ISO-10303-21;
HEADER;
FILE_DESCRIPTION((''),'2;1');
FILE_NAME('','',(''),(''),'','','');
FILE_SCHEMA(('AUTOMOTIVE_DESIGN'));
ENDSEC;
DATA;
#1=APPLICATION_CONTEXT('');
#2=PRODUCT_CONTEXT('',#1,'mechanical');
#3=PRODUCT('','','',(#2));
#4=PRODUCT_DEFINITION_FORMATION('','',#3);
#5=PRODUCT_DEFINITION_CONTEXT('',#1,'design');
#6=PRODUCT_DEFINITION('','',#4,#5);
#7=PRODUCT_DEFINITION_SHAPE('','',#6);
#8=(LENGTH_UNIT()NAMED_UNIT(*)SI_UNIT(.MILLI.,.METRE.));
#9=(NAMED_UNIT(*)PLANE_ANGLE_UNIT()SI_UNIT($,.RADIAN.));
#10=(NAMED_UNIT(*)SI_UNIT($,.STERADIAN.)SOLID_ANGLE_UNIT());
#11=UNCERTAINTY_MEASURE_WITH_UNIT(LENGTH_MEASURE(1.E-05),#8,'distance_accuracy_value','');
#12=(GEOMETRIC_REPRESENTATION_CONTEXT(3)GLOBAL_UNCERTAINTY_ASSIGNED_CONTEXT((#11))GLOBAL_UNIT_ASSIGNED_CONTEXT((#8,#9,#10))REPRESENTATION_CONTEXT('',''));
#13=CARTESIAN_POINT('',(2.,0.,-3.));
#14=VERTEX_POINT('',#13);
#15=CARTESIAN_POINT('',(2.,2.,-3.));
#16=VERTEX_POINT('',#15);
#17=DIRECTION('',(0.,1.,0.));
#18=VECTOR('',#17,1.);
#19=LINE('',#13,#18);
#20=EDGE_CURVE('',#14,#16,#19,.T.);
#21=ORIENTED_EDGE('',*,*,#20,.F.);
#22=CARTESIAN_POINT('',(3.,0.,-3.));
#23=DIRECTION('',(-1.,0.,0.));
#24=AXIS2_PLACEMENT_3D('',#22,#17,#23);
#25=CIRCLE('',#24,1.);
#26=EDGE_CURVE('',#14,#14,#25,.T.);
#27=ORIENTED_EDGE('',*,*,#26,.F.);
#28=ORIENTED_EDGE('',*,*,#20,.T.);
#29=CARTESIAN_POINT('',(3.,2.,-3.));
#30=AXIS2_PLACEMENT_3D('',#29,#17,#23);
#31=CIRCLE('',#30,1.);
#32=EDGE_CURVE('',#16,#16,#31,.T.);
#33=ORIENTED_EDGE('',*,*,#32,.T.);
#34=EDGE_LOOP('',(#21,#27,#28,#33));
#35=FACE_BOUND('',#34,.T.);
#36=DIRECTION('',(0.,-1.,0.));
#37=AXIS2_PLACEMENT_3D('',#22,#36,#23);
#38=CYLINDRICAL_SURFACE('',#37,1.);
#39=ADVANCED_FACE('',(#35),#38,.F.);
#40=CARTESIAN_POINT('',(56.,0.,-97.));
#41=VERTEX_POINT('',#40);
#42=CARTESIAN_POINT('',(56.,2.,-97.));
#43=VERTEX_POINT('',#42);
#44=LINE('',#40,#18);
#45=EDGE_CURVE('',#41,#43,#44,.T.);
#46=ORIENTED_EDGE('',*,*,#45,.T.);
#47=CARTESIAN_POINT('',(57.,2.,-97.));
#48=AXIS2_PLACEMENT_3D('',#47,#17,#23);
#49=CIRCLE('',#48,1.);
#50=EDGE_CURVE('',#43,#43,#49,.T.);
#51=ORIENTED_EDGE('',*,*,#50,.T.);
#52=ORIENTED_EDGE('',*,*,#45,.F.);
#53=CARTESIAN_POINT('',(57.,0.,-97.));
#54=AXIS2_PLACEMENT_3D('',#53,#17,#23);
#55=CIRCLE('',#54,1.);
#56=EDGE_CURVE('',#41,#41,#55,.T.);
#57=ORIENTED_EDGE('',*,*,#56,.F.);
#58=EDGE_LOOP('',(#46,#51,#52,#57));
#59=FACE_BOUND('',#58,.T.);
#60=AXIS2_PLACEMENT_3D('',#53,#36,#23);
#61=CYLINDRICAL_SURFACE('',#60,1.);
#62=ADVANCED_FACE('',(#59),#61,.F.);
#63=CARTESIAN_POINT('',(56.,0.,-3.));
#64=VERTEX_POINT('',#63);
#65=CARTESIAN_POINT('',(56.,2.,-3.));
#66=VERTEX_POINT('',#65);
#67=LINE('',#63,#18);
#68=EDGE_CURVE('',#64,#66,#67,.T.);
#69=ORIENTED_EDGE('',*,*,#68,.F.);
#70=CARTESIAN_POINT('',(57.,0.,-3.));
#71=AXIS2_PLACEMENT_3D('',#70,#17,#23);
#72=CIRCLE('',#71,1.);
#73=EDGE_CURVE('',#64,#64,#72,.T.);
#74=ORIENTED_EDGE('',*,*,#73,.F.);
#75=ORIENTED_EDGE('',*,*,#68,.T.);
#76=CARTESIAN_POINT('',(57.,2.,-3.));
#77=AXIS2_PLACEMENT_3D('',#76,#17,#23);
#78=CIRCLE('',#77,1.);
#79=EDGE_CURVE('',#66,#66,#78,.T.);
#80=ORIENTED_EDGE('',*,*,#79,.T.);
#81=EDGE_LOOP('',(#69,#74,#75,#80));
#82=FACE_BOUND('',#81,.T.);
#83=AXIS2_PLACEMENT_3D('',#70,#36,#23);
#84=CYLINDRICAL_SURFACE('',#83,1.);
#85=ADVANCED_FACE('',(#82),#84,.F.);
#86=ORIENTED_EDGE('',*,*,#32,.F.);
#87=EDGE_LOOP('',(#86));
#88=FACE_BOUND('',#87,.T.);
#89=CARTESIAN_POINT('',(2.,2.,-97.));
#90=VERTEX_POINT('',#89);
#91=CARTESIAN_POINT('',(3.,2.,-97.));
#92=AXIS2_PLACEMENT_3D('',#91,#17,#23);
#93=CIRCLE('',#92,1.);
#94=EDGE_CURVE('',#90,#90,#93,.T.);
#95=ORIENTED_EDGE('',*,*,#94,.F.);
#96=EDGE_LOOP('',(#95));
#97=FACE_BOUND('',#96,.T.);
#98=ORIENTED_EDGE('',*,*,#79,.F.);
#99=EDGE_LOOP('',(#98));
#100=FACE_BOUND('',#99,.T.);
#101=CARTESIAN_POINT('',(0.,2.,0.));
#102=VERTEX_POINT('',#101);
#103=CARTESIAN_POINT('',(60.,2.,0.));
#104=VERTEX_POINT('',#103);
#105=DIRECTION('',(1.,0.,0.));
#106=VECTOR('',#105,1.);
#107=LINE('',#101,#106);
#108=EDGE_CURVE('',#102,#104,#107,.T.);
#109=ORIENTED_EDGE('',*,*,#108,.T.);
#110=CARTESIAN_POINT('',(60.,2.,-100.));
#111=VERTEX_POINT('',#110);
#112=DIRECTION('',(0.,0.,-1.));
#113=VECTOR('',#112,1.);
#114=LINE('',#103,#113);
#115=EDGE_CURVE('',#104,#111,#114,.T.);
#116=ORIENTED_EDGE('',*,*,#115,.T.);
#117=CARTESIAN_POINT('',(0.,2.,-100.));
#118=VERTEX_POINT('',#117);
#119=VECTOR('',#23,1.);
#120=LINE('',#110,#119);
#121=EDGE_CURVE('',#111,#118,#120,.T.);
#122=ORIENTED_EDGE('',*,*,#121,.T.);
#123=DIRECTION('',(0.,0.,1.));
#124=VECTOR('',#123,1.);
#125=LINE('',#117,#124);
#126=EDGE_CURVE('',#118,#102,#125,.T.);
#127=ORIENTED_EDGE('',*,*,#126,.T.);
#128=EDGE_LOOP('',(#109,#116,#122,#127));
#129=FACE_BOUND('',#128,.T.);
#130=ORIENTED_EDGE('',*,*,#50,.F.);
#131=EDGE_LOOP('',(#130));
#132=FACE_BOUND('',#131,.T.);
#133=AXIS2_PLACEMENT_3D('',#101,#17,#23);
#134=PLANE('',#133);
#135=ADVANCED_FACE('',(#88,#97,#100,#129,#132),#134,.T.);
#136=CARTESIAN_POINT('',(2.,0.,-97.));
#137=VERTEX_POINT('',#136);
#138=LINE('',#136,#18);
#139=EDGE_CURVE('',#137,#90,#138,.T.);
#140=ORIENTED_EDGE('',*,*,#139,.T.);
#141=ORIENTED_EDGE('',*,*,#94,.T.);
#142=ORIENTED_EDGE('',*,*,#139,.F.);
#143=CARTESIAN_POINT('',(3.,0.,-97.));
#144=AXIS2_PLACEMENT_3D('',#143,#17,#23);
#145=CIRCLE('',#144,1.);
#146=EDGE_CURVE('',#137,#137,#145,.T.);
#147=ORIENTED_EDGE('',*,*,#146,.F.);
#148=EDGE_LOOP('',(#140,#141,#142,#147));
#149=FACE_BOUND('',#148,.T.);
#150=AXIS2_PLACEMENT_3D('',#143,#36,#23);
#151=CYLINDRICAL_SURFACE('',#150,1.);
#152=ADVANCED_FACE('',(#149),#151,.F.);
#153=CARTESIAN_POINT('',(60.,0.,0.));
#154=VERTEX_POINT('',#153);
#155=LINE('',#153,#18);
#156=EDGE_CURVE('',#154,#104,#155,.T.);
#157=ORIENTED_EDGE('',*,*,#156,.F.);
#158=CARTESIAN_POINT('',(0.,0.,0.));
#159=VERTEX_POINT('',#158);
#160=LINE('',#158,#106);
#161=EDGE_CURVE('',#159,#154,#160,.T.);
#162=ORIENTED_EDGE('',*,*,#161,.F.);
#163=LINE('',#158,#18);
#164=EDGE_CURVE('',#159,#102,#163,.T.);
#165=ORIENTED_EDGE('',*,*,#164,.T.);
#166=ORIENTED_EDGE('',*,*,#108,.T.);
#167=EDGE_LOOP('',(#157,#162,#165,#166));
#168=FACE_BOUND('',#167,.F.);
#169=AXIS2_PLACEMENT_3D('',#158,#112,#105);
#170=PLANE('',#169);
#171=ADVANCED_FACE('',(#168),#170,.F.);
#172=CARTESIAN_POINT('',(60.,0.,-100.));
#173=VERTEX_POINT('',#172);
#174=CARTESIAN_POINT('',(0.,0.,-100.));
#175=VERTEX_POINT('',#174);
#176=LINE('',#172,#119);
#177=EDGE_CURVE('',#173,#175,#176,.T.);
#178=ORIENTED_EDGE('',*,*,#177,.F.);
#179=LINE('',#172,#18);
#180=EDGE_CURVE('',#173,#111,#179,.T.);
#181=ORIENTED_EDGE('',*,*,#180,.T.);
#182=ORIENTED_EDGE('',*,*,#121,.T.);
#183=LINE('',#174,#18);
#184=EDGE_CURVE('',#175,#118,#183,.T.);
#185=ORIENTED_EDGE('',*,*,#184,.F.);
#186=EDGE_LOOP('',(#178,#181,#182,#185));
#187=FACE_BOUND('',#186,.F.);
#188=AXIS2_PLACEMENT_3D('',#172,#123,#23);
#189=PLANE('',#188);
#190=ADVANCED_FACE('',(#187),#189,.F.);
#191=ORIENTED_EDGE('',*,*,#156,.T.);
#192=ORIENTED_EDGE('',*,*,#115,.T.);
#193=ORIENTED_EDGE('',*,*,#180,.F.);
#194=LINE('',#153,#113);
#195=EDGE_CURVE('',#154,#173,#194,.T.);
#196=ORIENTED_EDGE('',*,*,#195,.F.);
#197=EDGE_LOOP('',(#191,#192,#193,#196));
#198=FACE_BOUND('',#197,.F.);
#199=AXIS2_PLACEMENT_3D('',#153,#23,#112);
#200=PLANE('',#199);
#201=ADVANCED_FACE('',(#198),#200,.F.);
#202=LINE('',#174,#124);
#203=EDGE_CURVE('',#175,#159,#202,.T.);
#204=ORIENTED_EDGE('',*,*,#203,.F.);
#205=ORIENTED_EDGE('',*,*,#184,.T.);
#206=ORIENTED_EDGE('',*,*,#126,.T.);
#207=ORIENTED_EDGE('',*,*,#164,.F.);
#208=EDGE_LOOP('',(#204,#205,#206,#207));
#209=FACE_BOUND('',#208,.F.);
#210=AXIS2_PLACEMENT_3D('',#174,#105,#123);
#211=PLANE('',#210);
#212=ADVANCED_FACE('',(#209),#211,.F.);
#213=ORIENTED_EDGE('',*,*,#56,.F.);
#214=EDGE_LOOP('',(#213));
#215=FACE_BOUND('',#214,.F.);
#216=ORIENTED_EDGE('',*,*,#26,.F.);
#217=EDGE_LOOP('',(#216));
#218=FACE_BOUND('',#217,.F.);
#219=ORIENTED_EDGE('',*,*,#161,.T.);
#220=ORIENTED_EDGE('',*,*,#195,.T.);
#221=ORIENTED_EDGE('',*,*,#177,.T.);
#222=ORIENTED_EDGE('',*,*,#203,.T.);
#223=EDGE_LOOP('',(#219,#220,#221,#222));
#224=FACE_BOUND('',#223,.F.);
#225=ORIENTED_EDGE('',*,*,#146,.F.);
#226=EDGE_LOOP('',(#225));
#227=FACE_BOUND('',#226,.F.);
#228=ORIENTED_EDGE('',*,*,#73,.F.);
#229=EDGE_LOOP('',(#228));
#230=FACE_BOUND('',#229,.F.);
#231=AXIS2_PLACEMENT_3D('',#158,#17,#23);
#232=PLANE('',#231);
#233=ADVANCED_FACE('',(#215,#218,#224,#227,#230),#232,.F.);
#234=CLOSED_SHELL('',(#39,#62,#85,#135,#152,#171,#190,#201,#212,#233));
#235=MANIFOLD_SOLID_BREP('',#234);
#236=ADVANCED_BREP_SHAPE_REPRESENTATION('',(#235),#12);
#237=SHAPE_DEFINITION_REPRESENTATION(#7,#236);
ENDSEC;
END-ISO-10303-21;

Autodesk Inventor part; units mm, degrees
ref_plane "YZ Plane" through (0, 0, 0) normal (1, 0, 0) x (0, 1, 0)
ref_plane "XZ Plane" through (0, 0, 0) normal (0, 1, 0) x (-1, 0, 0)
ref_plane "XY Plane" through (0, 0, 0) normal (0, 0, 1) x (1, 0, 0)
sketch "Sketch1" plane through (0, 0, 0) normal (0, 1, 0) x (-1, 0, 0)
  line L0 (0, 0) -> (-60, 0)
  line L1 (-60, 0) -> (-60, -100)
  line L2 (-60, -100) -> (0, -100)
  line L3 (0, -100) -> (0, 0)
  line L4 (-58, -5) -> (-58, -95)
  line L5 (-5, -2) -> (-5, -3)
  line L6 (-3, -5) -> (-2, -5)
  line L7 (-55, -2) -> (-55, -3)
  line L8 (-57, -5) -> (-58, -5)
  line L9 (-55, -98) -> (-55, -97)
  line L10 (-57, -95) -> (-58, -95)
  line L11 (-5, -98) -> (-5, -97)
  line L12 (-3, -95) -> (-2, -95)
  arc A0 (-5, -3) -> (-3, -5) centre (-3, -3) ccw
  arc A1 (-57, -5) -> (-55, -3) centre (-57, -3) ccw
  arc A2 (-55, -97) -> (-57, -95) centre (-57, -97) ccw
  arc A3 (-3, -95) -> (-5, -97) centre (-3, -97) ccw
  circle A4 centre (-57, -3) radius 1
  circle A5 centre (-57, -97) radius 1
  circle A6 centre (-3, -97) radius 1
  circle A7 centre (-3, -3) radius 1
  line L13 (-5, -2) -> (-55, -2)
  line L14 (-2, -95) -> (-2, -5)
  line L15 (-55, -98) -> (-5, -98)
  point P0 (-5, -5)
  point P1 (-55, -5)
  point P2 (-55, -95)
  point P3 (-5, -95)
  dimension "d0" = 60
  dimension "d1" = 100
  dimension "d6" = 3
  dimension "d7" = 3
  dimension "d8" = 3
  dimension "d9" = 3
  dimension "d10" = 3
  dimension "d11" = 3
  dimension "d12" = 2
  dimension "d13" = 3
  dimension "d14" = 2
  dimension "d15" = 2
  dimension "d16" = 2
  dimension "d17" = 2
extrude "Extrusion1" add sketch "Sketch1" along normal blind 2 contours L3 L2 L1 L0 | L8 A1 L7 L13 L5 A0 L6 L14 L12 A3 L11 L15 L9 A2 L10 L4
